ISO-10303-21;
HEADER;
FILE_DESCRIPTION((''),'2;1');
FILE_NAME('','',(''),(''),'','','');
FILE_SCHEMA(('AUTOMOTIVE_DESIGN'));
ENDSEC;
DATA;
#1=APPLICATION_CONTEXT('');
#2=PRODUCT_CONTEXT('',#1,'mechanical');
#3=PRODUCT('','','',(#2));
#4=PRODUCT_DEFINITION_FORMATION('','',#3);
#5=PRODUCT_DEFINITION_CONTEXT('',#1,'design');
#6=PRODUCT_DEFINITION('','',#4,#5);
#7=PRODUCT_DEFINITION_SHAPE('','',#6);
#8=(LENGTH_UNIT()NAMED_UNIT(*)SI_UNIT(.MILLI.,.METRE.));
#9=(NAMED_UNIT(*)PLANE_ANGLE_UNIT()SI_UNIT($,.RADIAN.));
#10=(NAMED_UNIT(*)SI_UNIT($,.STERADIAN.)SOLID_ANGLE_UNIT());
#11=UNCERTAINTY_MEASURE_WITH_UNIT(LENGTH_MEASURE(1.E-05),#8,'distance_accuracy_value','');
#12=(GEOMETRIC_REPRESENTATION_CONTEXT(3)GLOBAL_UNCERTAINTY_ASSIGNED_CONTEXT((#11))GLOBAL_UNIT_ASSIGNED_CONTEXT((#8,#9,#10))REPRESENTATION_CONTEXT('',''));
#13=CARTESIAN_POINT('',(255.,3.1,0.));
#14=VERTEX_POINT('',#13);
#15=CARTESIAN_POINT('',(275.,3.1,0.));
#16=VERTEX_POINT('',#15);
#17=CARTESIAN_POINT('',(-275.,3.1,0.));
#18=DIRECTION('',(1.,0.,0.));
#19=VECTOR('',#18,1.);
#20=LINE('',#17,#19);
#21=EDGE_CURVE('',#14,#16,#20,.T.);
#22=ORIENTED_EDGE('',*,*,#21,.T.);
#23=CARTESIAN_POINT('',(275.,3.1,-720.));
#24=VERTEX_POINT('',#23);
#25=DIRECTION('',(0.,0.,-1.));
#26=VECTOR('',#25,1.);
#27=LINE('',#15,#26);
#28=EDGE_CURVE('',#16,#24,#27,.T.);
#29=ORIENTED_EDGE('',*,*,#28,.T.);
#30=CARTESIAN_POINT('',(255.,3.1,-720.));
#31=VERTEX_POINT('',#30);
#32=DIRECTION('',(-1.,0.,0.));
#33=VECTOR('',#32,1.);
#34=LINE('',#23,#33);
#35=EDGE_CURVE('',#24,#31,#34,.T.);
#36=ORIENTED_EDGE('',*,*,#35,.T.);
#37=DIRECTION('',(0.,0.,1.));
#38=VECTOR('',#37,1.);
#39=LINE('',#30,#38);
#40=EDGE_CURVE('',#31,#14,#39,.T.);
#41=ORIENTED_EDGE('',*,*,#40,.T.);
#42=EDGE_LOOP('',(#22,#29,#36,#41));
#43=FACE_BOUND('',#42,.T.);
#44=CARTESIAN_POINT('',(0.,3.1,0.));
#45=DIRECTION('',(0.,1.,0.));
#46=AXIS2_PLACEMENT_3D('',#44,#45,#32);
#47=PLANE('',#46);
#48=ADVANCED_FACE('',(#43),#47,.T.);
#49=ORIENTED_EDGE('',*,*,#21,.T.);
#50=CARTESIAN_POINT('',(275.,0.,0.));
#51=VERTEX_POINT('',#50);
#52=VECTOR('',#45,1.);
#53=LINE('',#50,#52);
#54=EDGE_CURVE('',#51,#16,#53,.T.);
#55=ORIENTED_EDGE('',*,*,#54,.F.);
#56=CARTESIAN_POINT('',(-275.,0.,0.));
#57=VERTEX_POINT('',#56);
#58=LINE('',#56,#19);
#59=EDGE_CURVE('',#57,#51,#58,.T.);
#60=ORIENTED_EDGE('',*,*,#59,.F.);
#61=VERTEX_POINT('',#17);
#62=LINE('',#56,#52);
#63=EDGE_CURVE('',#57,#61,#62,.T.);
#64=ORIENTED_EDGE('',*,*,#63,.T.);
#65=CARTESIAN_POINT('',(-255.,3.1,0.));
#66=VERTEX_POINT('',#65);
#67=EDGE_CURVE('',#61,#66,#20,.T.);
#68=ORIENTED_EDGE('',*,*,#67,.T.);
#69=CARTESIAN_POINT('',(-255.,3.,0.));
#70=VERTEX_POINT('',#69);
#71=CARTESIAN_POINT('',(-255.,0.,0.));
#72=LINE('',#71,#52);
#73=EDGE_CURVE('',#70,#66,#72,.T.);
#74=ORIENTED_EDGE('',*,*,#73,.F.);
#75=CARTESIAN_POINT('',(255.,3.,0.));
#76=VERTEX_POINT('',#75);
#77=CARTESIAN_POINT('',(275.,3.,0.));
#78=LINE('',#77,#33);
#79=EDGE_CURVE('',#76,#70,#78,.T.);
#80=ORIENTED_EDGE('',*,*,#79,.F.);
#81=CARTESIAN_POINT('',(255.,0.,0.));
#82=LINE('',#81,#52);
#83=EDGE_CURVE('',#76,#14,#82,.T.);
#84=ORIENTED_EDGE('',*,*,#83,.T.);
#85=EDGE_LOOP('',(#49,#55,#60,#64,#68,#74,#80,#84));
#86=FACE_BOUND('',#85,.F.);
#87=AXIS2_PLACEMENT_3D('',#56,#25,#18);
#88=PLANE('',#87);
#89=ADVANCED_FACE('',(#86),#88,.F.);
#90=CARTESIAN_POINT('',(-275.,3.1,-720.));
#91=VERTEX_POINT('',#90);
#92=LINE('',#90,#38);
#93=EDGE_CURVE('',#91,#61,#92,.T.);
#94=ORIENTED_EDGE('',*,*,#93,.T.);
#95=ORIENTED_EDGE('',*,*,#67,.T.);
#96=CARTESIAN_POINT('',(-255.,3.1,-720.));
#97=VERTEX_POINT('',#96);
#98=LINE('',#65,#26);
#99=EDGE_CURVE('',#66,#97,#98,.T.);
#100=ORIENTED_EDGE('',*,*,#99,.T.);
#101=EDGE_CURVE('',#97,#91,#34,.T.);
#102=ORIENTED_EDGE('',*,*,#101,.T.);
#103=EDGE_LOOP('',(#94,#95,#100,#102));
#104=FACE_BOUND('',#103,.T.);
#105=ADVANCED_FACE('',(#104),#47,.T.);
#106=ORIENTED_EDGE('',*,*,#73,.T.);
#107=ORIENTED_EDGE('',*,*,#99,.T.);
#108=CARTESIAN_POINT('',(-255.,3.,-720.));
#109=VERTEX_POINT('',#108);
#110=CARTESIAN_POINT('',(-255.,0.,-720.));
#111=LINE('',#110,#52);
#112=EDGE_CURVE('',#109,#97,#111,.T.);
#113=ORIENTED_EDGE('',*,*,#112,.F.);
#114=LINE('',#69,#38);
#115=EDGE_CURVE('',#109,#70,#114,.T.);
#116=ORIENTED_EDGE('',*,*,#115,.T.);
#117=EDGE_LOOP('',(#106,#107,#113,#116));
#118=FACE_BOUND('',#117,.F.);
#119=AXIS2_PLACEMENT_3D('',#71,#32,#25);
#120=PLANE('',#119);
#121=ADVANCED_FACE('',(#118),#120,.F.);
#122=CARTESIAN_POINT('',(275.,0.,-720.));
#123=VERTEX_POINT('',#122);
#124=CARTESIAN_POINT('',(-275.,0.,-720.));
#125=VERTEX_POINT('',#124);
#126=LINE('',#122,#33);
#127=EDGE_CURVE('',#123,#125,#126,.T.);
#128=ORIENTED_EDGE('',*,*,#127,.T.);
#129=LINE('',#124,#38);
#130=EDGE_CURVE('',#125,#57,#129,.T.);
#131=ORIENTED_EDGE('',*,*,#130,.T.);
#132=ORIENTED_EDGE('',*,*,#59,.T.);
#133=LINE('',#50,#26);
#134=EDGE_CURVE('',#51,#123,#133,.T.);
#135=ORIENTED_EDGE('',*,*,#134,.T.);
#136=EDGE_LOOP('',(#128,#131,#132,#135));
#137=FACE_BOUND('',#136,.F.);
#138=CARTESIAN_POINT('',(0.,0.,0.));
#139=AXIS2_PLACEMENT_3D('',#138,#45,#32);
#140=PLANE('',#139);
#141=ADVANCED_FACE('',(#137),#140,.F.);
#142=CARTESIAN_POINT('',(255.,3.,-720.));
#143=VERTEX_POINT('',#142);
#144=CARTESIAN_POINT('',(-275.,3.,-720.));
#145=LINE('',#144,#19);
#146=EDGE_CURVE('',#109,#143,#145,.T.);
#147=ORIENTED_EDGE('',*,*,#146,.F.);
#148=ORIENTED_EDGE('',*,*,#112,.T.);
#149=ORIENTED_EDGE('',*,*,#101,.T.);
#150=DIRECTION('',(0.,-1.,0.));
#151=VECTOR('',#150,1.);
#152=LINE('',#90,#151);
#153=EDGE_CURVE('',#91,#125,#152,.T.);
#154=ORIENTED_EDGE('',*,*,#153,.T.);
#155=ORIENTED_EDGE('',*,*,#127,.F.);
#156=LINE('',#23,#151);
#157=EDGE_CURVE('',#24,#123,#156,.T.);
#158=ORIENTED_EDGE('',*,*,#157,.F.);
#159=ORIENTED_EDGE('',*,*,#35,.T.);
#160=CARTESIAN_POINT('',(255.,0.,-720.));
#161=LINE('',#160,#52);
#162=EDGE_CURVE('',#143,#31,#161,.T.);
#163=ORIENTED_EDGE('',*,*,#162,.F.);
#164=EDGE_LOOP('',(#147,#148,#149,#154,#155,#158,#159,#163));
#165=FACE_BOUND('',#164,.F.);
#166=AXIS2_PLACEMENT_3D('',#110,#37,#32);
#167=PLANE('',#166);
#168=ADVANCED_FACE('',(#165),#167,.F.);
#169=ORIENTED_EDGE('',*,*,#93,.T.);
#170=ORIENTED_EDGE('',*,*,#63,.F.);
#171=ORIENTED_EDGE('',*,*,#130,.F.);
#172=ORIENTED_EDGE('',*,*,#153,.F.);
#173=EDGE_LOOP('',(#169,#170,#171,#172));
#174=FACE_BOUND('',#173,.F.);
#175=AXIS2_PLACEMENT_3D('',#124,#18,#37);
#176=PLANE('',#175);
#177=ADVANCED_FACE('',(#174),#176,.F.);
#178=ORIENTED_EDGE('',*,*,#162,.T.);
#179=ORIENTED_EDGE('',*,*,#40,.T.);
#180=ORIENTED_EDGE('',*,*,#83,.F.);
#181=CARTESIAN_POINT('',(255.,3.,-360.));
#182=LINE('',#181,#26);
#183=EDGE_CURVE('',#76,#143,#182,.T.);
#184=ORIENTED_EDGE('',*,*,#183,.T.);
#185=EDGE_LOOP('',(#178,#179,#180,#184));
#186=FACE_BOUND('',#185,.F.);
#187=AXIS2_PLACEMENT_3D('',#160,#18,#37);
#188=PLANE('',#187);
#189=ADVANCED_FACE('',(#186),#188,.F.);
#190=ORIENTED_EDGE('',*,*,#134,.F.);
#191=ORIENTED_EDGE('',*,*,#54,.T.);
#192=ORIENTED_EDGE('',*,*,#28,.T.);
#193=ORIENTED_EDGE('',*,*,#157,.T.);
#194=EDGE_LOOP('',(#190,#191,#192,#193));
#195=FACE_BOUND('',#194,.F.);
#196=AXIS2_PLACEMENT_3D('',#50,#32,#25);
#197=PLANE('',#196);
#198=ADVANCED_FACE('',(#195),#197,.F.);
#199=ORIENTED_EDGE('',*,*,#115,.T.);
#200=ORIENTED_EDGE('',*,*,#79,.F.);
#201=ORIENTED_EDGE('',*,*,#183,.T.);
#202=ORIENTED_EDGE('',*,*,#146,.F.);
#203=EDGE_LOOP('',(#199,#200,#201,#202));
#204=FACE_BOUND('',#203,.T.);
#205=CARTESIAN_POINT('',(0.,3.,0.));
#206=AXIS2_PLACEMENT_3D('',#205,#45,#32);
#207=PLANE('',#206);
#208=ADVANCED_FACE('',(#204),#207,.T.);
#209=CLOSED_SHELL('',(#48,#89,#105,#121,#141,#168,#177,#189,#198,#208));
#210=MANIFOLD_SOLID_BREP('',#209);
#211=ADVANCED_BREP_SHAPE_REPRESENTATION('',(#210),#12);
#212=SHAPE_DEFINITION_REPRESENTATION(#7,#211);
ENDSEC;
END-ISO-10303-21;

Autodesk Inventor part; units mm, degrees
ref_plane "YZ Plane" through (0, 0, 0) normal (1, 0, 0) x (0, 1, 0)
ref_plane "XZ Plane" through (0, 0, 0) normal (0, 1, 0) x (-1, 0, 0)
ref_plane "XY Plane" through (0, 0, 0) normal (0, 0, 1) x (1, 0, 0)
sketch "Sketch1" plane through (0, 0, 0) normal (0, 1, 0) x (-1, 0, 0)
  line L0 (275, 0) -> (-275, 0)
  line L1 (-275, 0) -> (-275, -720)
  line L2 (-275, -720) -> (275, -720)
  line L3 (275, -720) -> (275, 0)
  line L4 (255, 0) -> (255, -720)
  line L5 (-255, -720) -> (-255, 0)
  point P0 (0, 0)
  point P1 (0, 0)
  dimension "d0" = 550
  dimension "d1" = 720
  dimension "d4" = 20
  dimension "d5" = 20
extrude "Extrusion1" add sketch "Sketch1" along normal blind 3
extrude "Extrusion2" add sketch "Sketch1" along normal blind 3.1 contours L3 L2 L4 L0 | L5 L2 L1 L0
equation "\"d0\" = track_width"
equation "\"d4\" = curb_width"
equation "\"d5\" = curb_width"
equation "\"d2\" = track_height"
equation "\"d6\" = track_height + curb_height"
equation "\"track_width\" = 550"
equation "\"curb_width\" = 20"
equation "\"track_height\" = 3"
equation "\"curb_height\" = 0.1"
properties part number "straight"
